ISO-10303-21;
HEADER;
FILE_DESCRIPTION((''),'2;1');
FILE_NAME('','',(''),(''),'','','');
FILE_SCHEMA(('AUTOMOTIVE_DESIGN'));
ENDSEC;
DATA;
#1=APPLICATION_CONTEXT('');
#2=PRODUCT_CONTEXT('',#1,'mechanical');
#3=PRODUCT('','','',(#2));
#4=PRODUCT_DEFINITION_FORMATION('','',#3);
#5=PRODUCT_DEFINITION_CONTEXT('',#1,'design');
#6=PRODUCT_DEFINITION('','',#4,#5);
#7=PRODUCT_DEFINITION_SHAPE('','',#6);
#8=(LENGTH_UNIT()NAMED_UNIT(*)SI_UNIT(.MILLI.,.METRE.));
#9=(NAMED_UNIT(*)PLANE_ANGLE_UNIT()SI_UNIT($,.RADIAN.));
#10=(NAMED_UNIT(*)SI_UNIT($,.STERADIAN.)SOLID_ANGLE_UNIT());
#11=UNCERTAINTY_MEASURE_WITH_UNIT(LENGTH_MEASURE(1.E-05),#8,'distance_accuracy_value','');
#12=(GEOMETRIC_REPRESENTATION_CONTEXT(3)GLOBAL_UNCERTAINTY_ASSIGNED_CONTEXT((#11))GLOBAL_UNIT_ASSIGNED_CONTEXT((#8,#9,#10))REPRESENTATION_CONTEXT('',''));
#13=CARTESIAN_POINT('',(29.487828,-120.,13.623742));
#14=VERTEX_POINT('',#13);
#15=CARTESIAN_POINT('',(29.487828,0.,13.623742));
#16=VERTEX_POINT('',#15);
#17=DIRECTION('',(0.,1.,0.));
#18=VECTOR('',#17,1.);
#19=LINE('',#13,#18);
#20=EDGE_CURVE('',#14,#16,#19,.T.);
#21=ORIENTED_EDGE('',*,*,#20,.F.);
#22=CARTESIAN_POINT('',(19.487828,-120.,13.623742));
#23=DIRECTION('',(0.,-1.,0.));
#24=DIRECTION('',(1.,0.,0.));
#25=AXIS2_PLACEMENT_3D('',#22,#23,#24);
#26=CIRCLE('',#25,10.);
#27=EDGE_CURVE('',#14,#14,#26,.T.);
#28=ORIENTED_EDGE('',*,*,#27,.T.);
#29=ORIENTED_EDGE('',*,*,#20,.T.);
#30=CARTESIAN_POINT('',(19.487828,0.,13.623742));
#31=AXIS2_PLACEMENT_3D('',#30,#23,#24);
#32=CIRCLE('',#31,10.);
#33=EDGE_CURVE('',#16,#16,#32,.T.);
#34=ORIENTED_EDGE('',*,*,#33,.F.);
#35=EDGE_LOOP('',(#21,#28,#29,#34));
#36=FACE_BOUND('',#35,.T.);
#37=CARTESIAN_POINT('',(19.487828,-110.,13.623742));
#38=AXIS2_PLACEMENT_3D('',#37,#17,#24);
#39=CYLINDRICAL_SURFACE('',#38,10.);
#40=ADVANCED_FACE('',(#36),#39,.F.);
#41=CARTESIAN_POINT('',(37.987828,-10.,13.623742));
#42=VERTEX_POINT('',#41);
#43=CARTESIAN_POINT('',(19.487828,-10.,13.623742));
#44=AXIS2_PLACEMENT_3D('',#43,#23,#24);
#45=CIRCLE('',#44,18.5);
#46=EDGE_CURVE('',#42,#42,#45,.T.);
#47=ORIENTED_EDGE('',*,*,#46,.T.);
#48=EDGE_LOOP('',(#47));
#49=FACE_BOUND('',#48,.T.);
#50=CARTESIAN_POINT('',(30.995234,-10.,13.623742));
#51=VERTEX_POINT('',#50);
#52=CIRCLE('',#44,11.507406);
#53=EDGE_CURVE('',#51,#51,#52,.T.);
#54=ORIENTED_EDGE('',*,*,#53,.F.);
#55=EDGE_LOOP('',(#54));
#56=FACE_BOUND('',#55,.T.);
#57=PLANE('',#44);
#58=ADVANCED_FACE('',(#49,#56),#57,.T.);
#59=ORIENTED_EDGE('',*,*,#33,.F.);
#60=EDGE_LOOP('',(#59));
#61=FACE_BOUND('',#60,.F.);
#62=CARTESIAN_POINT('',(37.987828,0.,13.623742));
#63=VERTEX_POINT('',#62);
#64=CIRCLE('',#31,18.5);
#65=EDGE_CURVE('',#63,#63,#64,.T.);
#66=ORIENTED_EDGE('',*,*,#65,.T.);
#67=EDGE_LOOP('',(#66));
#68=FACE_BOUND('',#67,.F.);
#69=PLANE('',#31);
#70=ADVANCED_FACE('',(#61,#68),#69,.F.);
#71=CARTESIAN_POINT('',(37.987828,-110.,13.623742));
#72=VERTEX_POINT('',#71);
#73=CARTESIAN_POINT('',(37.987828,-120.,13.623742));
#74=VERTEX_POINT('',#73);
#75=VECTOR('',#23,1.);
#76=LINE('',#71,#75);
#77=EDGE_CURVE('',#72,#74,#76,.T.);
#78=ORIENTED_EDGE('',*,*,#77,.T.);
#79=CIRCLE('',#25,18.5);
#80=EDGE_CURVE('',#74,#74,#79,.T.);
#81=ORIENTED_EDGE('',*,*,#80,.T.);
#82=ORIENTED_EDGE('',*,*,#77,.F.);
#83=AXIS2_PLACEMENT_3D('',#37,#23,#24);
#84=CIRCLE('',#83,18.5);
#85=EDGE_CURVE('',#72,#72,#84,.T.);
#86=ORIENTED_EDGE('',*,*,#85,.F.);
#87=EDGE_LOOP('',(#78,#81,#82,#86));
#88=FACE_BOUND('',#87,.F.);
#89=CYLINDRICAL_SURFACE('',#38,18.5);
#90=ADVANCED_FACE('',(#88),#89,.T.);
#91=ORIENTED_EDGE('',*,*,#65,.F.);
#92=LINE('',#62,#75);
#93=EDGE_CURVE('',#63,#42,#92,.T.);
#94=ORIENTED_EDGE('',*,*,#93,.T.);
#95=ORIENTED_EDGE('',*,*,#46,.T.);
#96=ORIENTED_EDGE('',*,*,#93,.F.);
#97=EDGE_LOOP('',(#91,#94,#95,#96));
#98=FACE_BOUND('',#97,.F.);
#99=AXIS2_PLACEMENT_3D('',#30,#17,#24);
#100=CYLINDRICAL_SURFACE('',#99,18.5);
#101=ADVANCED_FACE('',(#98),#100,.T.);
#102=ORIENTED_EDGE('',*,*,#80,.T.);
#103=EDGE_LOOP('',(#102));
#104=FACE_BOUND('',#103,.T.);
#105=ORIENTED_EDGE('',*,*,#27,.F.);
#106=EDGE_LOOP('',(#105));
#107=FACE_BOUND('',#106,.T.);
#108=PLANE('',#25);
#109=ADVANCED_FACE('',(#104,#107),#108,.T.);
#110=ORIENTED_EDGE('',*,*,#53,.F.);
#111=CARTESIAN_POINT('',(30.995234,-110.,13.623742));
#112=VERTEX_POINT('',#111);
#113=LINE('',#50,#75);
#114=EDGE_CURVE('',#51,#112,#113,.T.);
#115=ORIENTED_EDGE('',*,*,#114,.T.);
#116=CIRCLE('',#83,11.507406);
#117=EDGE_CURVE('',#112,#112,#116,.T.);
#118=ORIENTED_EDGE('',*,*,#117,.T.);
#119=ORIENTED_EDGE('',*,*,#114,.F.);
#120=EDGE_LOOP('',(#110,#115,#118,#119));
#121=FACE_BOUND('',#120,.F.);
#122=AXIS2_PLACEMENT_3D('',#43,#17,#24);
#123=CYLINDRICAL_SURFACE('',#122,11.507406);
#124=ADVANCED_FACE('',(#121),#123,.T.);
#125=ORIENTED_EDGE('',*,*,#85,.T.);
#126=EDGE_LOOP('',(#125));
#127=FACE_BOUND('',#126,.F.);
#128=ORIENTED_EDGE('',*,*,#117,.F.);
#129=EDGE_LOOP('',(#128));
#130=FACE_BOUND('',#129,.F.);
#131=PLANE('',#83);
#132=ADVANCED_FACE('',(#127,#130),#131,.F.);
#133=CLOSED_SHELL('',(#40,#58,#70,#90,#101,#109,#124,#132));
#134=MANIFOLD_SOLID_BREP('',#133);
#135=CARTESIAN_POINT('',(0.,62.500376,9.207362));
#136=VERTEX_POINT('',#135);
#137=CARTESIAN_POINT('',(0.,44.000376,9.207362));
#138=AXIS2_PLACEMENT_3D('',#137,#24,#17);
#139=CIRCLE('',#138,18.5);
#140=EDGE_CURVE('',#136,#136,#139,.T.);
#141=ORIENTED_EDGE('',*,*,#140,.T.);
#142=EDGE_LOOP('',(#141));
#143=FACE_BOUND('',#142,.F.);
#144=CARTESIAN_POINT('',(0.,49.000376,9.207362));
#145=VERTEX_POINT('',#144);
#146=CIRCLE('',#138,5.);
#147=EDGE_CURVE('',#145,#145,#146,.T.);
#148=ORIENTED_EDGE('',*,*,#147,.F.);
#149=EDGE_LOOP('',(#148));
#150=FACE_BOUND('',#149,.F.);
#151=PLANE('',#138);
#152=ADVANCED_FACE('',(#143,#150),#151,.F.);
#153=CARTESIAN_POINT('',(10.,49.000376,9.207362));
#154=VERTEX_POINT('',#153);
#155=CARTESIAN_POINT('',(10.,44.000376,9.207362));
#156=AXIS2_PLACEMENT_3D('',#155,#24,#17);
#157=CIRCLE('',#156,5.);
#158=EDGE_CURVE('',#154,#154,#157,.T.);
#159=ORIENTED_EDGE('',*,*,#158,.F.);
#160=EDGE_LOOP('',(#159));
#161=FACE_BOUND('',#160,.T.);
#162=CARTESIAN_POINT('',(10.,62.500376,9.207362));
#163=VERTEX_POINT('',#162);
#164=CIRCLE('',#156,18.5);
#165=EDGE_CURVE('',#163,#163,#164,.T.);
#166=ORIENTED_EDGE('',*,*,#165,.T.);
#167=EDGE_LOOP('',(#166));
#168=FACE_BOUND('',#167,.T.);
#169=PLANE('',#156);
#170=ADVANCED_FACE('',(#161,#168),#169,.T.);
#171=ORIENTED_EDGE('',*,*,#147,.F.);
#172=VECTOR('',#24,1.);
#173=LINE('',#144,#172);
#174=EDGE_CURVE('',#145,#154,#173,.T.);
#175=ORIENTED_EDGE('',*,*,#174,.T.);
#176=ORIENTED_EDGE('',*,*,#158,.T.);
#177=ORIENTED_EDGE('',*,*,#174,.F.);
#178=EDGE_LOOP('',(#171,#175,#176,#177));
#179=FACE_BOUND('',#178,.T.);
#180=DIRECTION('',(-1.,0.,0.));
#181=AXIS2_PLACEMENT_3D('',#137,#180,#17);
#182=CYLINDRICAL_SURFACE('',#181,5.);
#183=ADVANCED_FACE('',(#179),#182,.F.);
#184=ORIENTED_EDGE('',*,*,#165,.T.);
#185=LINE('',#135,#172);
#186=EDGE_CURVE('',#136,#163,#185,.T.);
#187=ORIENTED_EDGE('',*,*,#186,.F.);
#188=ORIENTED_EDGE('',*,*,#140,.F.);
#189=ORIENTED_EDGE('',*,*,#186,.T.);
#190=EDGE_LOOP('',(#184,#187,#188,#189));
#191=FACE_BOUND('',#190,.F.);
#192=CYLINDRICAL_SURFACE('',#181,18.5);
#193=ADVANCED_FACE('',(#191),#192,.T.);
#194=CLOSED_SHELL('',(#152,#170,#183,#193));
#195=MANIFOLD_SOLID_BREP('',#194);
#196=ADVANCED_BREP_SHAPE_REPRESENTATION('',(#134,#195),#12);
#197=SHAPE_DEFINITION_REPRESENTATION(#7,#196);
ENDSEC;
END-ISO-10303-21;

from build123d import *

# Parameters (mm, degrees)
F0_R     = 18.5
F0_R_2   = 10
F1_DEPTH = 10
F2_R     = 11.5074062797
F3_DEPTH = 100
F4_DEPTH = 120
F5_R     = 18.5
F5_R_2   = 11.5074062797
F5_R_3   = 10
F6_DEPTH = 10
F7_R     = 18.5
F7_R_2   = 5
F8_DEPTH = 10


with BuildPart() as f1:
    # F0 (on Front) → F1 (new body)
    with BuildSketch(Plane.XZ):
        with Locations((19.4878280163, 13.6237423867)):
            Circle(F0_R)
        with Locations((19.4878280163, 13.6237423867)):
            Circle(F0_R_2, mode=Mode.SUBTRACT)
        with Locations((19.4878280163, 13.6237423867)):
            Circle(F0_R_2)
    extrude(amount=F1_DEPTH)

    # F2 (on face) → F3 (join)
    with BuildSketch(Plane.XZ.offset(10)):
        with Locations((19.4878280163, 13.6237423867)):
            Circle(F2_R)
    extrude(amount=F3_DEPTH)

    # F0 (on Front) → F4 (cut)
    with BuildSketch(Plane.XZ):
        with Locations((19.4878280163, 13.6237423867)):
            Circle(F0_R_2)
    extrude(amount=F4_DEPTH, mode=Mode.SUBTRACT)

    # F5 (on face) → F6 (join)
    with BuildSketch(Plane.XZ.offset(110)):
        with Locations((19.4878280163, 13.6237423867)):
            Circle(F5_R)
        with Locations((19.4878280163, 13.6237423867)):
            Circle(F5_R_2, mode=Mode.SUBTRACT)
        with Locations((19.4878280163, 13.6237423867)):
            Circle(F5_R_2)
        with Locations((19.4878280163, 13.6237423867)):
            Circle(F5_R_3, mode=Mode.SUBTRACT)
    extrude(amount=F6_DEPTH)


with BuildPart() as f8:
    # F7 (on Right) → F8 (new body)
    with BuildSketch(Plane.YZ):
        with Locations((44.0003760159, 9.2073623091)):
            Circle(F7_R)
        with Locations((44.0003760159, 9.2073623091)):
            Circle(F7_R_2, mode=Mode.SUBTRACT)
    extrude(amount=F8_DEPTH)


solid = Compound([f1.part, f8.part])
